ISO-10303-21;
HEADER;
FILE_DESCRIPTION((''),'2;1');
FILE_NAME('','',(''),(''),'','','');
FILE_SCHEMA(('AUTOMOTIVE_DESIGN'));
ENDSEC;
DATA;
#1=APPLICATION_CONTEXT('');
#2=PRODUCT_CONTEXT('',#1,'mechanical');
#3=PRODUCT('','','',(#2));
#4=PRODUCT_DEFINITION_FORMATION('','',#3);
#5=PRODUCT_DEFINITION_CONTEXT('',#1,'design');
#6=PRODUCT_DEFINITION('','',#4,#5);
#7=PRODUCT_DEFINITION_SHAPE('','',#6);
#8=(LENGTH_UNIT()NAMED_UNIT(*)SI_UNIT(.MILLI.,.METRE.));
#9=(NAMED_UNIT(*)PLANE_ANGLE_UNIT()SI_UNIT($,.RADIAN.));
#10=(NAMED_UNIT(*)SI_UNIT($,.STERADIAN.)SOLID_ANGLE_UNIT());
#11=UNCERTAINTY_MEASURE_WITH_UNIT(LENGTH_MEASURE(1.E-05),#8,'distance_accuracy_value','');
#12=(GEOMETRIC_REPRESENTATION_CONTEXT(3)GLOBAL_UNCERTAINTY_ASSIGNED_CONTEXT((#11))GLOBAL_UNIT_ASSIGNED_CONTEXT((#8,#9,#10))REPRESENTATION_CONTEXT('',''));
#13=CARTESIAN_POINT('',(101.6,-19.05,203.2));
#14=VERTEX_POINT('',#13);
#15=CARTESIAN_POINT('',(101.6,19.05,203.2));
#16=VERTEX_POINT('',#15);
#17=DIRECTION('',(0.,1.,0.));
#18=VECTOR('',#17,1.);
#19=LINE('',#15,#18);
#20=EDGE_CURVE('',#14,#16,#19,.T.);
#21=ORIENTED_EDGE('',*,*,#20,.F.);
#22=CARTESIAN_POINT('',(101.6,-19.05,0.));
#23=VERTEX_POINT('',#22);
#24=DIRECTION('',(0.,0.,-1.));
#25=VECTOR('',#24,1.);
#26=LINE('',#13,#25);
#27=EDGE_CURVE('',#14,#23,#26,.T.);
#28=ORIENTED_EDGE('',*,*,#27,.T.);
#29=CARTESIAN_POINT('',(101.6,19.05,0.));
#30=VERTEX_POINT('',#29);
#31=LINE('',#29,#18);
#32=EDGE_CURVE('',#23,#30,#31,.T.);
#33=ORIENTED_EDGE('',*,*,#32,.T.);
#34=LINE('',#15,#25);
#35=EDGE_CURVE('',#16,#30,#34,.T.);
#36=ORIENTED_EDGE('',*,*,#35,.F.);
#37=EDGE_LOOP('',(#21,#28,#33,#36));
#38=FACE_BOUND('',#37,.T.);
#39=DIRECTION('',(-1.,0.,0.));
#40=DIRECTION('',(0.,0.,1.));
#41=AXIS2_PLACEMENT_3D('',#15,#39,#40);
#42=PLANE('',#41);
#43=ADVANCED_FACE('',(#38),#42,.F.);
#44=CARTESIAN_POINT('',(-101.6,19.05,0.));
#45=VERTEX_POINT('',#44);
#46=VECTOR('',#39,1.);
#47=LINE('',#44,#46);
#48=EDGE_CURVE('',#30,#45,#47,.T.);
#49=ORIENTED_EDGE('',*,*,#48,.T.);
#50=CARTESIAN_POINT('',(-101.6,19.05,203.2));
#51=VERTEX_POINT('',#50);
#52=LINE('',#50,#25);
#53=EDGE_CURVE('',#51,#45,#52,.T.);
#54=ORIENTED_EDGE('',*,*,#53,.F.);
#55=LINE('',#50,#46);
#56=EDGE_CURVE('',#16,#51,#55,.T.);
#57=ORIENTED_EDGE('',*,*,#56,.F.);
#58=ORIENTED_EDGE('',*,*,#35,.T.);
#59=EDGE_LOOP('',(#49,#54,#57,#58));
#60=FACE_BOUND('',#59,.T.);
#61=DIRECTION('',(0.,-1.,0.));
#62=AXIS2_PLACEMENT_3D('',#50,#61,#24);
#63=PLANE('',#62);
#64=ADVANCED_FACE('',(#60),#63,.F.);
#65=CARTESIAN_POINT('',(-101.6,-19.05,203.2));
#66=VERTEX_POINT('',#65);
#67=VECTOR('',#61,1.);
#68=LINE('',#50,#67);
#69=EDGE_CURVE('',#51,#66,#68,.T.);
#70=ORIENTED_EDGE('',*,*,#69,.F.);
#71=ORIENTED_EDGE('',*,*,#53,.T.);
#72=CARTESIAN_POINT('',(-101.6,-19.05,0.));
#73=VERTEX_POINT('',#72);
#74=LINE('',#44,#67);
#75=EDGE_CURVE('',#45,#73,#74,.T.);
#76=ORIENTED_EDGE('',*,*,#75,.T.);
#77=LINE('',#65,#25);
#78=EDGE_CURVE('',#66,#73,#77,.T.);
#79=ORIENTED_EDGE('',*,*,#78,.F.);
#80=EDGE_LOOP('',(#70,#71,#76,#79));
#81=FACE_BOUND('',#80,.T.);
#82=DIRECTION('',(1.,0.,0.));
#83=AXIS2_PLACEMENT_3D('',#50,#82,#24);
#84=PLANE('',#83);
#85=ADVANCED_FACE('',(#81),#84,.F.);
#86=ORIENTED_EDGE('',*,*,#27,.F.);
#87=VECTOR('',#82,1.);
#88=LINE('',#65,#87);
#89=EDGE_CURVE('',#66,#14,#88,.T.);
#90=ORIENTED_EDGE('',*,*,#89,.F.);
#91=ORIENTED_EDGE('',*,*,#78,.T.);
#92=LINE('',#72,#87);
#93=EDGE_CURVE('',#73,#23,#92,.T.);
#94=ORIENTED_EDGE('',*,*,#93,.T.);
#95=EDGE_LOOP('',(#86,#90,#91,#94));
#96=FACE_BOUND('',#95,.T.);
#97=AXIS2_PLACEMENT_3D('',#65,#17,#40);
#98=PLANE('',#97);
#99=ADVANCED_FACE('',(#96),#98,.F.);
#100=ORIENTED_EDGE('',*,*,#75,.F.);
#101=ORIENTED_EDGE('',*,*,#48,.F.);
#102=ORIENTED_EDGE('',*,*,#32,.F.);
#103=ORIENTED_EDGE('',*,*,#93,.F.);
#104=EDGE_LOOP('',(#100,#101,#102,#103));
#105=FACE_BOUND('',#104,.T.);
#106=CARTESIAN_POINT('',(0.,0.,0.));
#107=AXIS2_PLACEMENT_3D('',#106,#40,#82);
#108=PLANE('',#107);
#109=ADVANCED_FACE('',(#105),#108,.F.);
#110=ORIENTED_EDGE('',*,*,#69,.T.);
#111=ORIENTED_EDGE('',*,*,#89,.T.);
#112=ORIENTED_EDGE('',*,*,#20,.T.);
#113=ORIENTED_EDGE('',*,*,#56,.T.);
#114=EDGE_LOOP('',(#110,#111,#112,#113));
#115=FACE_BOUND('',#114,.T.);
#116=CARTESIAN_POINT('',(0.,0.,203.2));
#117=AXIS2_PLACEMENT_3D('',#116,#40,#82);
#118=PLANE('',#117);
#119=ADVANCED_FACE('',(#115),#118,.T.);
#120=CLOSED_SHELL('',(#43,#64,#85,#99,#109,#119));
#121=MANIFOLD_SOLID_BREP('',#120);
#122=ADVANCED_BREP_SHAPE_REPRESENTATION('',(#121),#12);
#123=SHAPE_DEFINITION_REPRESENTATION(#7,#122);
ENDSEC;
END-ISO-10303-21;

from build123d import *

# Parameters (mm, degrees)
SKETCH1_W           = 203.2
SKETCH1_H           = 38.1
BOSS_EXTRUDE1_DEPTH = 203.2


with BuildPart() as part:
    # Sketch1 → Boss-Extrude1 (new body)
    with BuildSketch(Plane.XY):
        Rectangle(SKETCH1_W, SKETCH1_H)
    extrude(amount=BOSS_EXTRUDE1_DEPTH)


solid = part.part
